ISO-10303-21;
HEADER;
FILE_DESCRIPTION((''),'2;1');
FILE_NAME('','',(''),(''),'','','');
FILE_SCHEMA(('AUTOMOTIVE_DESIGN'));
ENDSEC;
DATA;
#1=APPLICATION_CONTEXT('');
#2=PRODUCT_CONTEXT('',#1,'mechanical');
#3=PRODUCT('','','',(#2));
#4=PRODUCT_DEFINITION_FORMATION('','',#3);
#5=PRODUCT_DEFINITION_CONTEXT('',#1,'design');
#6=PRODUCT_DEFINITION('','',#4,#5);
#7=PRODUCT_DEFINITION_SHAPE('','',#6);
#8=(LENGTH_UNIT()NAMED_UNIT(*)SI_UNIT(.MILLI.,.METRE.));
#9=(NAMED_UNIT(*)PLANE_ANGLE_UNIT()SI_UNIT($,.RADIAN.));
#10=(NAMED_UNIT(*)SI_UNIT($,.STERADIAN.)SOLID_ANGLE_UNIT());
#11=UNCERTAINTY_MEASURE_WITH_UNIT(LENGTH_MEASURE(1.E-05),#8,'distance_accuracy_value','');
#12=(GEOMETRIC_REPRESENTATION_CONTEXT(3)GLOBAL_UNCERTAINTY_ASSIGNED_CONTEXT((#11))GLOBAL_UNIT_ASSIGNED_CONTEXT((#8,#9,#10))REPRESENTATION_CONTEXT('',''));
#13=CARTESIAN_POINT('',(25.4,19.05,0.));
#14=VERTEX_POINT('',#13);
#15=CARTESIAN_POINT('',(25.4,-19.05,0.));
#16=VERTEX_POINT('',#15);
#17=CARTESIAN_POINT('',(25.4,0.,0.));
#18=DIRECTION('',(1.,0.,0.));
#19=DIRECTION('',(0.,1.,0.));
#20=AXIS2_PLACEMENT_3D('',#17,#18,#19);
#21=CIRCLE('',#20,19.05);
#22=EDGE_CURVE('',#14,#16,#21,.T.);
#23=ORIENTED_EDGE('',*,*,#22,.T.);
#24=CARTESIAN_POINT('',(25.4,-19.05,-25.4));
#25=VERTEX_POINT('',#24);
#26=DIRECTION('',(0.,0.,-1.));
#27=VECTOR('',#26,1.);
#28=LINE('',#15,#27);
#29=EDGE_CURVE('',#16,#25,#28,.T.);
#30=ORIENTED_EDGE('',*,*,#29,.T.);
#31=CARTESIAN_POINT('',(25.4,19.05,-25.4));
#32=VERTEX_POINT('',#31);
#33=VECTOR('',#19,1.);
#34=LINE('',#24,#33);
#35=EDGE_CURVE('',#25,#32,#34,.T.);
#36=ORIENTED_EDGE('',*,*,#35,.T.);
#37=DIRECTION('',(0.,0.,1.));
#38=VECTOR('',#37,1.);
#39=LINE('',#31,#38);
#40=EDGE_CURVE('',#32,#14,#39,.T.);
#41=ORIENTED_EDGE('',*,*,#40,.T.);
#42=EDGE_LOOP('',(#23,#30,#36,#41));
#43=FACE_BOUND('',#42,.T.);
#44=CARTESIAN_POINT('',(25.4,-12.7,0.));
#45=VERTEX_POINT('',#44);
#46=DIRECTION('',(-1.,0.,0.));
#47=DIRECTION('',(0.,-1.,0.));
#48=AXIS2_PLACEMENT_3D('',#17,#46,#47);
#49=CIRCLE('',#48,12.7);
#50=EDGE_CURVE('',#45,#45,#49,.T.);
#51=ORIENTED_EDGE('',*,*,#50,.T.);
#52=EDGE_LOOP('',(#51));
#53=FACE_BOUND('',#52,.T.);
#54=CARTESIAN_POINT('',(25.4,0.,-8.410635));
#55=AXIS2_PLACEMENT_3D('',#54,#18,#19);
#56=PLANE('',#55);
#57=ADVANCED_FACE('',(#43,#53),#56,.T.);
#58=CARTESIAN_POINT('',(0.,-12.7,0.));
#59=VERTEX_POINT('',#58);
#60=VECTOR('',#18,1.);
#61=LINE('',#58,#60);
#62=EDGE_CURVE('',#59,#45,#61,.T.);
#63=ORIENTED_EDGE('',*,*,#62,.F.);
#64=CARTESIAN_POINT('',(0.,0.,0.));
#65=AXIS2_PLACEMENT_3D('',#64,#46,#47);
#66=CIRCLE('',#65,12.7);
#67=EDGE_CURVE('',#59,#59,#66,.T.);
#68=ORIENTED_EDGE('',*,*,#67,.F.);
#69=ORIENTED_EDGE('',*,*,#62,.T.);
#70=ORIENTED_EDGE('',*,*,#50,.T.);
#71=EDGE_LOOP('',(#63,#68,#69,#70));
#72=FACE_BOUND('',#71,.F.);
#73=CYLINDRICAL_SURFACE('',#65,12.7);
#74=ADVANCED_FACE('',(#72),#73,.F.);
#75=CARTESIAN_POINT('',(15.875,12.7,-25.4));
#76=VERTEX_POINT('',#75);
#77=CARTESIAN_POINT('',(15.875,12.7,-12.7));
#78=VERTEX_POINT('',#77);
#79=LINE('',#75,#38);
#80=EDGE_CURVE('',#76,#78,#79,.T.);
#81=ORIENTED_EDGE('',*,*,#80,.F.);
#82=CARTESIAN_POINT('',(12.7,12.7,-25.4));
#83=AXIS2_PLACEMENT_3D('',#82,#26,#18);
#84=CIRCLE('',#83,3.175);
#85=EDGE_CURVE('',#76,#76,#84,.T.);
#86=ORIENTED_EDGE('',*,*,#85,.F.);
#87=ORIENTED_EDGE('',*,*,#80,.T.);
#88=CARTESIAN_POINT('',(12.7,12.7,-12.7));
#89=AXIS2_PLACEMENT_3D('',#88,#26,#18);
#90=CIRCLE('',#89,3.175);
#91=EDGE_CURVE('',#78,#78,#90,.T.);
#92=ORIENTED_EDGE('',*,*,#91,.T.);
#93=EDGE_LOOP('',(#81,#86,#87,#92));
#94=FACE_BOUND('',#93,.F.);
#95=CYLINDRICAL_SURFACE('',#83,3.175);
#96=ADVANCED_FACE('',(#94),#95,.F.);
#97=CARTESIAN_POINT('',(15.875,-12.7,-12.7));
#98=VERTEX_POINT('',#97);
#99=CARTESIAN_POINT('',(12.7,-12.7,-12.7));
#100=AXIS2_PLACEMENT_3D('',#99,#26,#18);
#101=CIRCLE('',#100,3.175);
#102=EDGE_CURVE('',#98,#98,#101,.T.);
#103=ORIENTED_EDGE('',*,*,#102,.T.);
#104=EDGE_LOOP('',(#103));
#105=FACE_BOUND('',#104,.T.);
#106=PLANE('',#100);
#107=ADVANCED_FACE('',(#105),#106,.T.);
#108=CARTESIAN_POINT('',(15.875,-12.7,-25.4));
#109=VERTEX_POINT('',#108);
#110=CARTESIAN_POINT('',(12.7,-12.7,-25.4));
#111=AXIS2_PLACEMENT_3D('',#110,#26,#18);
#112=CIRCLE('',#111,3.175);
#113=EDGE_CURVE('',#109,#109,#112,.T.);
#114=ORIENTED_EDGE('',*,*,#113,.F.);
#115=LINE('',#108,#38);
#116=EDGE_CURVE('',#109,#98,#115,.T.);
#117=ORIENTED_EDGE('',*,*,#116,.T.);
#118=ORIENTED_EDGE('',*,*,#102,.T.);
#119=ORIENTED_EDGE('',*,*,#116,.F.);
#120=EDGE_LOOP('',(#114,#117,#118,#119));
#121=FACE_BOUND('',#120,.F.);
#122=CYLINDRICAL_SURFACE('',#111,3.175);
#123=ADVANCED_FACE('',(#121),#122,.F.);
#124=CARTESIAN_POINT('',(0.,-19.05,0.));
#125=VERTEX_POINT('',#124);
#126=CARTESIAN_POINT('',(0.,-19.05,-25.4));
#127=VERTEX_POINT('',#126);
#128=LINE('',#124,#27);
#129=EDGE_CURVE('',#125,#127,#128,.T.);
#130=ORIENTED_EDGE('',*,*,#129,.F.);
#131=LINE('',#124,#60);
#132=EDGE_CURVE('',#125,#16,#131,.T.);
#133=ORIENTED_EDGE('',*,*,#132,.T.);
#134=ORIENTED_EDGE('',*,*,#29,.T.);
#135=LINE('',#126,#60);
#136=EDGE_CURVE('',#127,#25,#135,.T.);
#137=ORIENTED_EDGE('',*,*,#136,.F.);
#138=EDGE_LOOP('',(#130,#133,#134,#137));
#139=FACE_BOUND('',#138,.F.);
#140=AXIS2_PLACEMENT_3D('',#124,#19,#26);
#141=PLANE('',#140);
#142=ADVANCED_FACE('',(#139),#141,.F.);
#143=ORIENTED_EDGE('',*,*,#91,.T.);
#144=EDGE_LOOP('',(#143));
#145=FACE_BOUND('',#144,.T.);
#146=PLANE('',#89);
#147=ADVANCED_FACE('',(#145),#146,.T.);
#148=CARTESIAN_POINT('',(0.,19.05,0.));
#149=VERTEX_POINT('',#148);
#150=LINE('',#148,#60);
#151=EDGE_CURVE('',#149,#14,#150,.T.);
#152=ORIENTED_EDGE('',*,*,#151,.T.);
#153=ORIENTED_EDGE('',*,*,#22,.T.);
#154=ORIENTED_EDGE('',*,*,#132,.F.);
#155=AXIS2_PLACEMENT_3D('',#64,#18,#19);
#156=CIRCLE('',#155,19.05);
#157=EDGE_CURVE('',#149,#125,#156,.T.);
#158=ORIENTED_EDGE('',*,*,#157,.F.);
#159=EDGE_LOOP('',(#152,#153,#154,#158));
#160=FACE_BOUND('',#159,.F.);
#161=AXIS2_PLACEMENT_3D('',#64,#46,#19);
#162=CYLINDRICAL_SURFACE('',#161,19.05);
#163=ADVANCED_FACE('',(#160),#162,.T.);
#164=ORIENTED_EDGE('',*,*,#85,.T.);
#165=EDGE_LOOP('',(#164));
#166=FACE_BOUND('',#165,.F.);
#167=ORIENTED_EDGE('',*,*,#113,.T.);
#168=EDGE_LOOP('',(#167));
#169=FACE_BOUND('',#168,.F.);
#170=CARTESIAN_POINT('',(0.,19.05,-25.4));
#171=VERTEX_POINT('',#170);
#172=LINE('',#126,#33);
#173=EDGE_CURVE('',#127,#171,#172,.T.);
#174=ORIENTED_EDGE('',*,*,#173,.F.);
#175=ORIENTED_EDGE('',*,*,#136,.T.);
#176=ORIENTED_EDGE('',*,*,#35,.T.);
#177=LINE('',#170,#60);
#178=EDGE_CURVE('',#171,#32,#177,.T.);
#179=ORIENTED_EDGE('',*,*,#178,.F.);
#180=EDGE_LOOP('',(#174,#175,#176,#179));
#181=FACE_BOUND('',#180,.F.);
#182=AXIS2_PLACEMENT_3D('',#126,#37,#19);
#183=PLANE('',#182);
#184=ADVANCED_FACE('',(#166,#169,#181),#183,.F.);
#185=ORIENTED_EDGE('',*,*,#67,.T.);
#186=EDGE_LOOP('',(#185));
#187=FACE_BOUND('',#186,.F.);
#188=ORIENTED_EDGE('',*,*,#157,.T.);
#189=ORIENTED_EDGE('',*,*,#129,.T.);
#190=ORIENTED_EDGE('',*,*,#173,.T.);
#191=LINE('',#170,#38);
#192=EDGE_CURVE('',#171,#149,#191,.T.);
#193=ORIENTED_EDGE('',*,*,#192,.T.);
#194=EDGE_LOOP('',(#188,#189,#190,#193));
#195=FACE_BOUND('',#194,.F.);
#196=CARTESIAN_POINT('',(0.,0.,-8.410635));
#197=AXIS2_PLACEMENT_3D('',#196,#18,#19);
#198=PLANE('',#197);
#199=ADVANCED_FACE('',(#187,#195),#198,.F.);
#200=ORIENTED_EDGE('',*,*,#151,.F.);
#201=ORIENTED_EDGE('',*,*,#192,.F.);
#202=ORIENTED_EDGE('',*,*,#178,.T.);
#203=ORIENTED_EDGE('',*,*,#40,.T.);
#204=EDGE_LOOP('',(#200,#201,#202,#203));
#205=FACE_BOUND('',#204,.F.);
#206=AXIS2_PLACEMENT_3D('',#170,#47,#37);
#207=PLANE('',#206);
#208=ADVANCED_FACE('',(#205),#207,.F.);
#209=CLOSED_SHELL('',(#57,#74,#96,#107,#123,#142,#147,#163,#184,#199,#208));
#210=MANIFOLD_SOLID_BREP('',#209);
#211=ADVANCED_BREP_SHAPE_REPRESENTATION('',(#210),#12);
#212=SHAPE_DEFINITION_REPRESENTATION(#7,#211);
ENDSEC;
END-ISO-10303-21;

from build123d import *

# Parameters (mm, degrees)
F1_DEPTH = 25.4
F2_R     = 3.175
F3_DEPTH = 12.7


with BuildPart() as f1:
    # F0 (on Right) → F1 (new body)
    with BuildSketch(Plane.YZ):
        with BuildLine():
            Line((19.05, 0), (12.7, 0))
            ThreePointArc((12.7, 0), (0, -12.7), (-12.7, 0))
            Line((-12.7, 0), (-19.05, 0))
            ThreePointArc((-19.05, 0), (0, -19.05), (19.05, 0))
        make_face()
        with BuildLine():
            ThreePointArc((-12.7, 0), (0, 12.7), (12.7, 0))
            Line((12.7, 0), (19.05, 0))
            ThreePointArc((19.05, 0), (0, 19.05), (-19.05, 0))
            Line((-19.05, 0), (-12.7, 0))
        make_face()
        with BuildLine():
            Line((19.05, -25.4), (19.05, 0))
            ThreePointArc((19.05, 0), (0, -19.05), (-19.05, 0))
            Line((-19.05, 0), (-19.05, -25.4))
            Line((-19.05, -25.4), (19.05, -25.4))
        make_face()
    extrude(amount=F1_DEPTH)

    # F2 (on face) → F3 (cut)
    with BuildSketch(Plane(origin=(0, 0, -25.4), x_dir=(1, 0, 0), z_dir=(0, 0, -1))):
        with Locations((12.7, 12.7)):
            Circle(F2_R)
        with Locations((12.7, -12.7)):
            Circle(F2_R)
    extrude(amount=-F3_DEPTH, mode=Mode.SUBTRACT)


solid = f1.part
